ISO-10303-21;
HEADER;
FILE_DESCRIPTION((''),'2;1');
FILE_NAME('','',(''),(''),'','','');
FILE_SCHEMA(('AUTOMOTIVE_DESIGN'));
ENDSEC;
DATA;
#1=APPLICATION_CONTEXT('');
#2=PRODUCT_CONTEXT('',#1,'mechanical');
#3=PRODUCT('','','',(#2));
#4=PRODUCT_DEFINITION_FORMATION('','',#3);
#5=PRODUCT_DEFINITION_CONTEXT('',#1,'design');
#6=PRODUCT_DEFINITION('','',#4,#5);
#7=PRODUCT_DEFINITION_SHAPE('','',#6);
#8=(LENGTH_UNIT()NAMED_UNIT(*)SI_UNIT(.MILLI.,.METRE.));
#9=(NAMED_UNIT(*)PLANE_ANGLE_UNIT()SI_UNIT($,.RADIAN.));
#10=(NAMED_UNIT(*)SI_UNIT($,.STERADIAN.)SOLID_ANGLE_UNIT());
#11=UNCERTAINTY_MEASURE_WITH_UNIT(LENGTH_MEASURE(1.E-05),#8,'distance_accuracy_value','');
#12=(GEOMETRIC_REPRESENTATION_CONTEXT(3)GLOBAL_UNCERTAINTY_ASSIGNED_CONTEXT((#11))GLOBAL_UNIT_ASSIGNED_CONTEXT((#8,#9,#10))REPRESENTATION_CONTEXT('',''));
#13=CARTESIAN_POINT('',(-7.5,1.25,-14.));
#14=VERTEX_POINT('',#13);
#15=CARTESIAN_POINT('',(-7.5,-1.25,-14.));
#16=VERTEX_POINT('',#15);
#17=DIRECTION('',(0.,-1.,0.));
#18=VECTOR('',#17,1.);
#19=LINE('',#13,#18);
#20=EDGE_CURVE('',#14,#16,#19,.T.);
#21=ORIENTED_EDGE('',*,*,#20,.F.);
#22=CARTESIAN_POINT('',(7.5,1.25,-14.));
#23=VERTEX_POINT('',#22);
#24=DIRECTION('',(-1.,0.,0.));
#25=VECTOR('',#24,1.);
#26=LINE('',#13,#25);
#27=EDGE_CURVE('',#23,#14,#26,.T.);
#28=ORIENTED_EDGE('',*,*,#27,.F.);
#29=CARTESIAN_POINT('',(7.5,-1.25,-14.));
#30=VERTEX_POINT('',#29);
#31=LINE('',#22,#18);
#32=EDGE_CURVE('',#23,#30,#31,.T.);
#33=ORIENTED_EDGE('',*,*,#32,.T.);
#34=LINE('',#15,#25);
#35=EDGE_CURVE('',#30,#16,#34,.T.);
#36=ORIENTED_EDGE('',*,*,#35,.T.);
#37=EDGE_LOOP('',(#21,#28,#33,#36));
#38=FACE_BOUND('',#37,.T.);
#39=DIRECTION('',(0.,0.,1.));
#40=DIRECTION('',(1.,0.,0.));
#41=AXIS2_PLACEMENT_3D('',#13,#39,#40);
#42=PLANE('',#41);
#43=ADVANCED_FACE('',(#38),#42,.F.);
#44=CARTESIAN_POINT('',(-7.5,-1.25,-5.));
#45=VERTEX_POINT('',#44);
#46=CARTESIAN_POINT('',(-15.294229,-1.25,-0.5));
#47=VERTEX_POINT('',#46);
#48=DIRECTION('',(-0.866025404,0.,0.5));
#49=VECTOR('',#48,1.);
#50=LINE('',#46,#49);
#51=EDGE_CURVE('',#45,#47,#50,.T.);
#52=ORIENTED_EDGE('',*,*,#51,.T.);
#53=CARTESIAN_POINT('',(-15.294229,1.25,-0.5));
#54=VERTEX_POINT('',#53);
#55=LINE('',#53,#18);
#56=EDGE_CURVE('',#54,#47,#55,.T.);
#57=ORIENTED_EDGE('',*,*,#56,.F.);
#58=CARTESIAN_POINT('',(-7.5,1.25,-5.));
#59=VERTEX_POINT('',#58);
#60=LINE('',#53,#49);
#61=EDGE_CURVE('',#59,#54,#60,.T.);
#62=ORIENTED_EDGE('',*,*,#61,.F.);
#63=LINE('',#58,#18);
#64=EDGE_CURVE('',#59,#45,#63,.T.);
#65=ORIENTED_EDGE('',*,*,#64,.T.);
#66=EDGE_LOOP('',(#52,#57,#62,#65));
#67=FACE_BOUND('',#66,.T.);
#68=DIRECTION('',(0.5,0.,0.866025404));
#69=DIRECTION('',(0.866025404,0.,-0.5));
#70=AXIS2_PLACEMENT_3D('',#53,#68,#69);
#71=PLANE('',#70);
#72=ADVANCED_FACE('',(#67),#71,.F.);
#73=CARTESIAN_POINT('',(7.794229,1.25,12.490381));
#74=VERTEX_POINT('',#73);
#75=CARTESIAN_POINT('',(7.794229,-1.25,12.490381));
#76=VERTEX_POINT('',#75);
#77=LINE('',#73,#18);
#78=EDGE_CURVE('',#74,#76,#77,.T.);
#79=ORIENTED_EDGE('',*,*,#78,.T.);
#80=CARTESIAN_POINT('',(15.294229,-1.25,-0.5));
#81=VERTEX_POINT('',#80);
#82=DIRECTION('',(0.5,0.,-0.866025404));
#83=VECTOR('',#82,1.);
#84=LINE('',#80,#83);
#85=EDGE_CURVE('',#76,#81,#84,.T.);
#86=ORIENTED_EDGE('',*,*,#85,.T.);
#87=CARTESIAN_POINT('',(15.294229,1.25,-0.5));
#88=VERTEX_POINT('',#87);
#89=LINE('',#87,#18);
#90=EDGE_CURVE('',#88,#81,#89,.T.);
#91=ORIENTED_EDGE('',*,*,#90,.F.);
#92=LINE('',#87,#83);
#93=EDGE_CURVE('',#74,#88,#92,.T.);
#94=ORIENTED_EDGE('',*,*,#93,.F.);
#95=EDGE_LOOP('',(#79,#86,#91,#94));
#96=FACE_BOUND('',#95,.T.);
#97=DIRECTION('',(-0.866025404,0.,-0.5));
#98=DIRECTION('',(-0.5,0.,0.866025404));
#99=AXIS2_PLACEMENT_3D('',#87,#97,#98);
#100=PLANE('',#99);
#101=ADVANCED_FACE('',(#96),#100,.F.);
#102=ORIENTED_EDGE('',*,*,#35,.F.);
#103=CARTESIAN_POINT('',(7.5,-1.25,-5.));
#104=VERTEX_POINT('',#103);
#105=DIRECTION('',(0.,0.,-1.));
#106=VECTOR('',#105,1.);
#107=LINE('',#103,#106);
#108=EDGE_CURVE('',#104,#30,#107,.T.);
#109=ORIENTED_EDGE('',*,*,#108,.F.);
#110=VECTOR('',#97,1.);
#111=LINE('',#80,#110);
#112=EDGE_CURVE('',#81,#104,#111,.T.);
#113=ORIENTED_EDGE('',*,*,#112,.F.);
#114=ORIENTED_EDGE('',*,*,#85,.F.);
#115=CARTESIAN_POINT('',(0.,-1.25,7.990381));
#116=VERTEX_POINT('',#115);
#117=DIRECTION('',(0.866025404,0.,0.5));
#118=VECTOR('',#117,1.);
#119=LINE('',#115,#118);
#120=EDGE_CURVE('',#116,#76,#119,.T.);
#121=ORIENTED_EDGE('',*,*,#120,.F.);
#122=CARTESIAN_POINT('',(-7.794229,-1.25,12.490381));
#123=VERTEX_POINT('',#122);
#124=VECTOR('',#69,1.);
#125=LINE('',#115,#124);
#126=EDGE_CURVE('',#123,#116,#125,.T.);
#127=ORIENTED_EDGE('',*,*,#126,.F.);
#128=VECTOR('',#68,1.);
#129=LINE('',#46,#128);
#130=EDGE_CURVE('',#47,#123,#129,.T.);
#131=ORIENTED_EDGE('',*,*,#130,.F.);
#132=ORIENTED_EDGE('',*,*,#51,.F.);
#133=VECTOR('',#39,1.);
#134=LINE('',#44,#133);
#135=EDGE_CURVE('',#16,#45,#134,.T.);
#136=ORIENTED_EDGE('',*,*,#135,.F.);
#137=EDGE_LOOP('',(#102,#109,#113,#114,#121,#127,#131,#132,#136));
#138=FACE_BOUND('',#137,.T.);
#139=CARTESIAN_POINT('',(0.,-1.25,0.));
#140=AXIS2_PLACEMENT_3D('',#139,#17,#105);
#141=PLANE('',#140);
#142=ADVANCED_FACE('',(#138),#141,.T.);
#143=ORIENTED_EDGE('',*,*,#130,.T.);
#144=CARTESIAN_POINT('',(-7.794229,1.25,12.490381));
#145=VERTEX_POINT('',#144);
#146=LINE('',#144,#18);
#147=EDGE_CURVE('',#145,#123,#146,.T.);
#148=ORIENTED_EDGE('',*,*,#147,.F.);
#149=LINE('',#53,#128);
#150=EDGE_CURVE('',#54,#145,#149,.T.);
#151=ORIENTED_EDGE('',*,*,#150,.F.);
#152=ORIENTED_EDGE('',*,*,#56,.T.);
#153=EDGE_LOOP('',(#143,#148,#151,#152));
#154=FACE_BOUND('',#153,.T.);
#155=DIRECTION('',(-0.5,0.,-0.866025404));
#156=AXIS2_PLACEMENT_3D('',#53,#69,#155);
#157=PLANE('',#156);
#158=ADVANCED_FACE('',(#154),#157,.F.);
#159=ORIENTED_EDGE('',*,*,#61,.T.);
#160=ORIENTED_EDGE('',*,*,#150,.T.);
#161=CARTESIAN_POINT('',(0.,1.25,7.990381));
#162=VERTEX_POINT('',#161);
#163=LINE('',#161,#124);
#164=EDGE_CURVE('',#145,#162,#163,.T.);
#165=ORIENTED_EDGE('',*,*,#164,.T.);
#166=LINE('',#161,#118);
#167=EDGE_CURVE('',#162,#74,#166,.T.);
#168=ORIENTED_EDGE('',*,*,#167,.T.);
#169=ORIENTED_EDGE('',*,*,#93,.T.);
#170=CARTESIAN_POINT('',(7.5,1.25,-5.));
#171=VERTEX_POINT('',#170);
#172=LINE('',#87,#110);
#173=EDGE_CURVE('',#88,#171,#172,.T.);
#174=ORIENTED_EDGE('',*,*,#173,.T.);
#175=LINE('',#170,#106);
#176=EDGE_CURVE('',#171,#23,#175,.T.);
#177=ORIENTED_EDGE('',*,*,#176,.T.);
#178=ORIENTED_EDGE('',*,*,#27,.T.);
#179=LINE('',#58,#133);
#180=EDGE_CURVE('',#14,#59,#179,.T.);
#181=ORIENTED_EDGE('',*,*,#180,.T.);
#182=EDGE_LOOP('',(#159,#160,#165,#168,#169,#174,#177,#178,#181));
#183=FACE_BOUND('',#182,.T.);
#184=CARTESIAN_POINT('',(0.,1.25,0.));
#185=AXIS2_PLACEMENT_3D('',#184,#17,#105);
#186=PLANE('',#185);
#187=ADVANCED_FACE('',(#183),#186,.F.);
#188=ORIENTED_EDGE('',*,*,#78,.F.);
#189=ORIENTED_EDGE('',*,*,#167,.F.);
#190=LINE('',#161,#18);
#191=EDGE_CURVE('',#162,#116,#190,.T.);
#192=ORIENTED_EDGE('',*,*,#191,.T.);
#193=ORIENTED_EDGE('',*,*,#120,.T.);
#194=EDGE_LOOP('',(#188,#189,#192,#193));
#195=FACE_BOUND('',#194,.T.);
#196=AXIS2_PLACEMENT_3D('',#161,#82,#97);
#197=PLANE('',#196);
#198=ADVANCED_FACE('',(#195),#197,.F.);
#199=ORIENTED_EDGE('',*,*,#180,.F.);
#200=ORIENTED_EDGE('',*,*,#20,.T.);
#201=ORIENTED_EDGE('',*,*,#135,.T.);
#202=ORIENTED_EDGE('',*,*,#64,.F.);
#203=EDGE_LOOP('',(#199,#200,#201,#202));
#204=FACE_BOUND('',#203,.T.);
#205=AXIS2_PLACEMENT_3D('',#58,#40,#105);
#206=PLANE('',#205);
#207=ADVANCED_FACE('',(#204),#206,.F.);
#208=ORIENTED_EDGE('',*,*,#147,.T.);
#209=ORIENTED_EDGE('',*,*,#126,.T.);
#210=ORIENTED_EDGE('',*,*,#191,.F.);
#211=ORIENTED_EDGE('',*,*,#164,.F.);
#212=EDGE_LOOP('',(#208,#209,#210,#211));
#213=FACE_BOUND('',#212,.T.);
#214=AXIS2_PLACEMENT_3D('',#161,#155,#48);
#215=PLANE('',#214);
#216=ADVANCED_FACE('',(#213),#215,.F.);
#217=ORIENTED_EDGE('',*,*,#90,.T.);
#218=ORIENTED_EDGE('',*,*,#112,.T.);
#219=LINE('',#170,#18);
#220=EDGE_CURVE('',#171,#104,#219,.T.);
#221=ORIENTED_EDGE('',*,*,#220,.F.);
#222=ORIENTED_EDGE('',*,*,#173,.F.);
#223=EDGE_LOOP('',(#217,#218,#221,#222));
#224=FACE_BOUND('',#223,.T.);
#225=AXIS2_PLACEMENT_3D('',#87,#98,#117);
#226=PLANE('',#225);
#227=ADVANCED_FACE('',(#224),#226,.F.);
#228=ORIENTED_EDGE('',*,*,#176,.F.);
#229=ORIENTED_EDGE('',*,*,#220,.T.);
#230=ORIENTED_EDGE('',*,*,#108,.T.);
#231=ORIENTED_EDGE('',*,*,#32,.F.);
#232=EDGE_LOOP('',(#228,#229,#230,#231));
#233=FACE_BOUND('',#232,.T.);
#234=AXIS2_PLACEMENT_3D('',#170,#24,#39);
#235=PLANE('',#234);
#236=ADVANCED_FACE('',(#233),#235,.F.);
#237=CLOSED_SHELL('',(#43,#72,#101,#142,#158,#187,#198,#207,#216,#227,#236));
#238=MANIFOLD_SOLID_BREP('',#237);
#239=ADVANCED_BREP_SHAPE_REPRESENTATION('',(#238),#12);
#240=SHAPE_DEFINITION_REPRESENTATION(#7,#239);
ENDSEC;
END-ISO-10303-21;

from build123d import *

# Parameters (mm, degrees)
BOSS_EXTRUDE1_DEPTH = 1.25


with BuildPart() as part:
    # Sketch1 → Boss-Extrude1 (new, symmetric)
    with BuildSketch(Plane(origin=(0, 0, 0), x_dir=(1, 0, 0), z_dir=(0, 1, 0))):
        Polygon((15.294228634, 0.5), (7.5, 5), (7.5, 14), (-7.5, 14), (-7.5, 5), (-15.294228634, 0.5), (-7.794228634, -12.490381057), (0, -7.990381057), (7.794228634, -12.490381057), align=None)
    extrude(amount=BOSS_EXTRUDE1_DEPTH, both=True)


solid = part.part
